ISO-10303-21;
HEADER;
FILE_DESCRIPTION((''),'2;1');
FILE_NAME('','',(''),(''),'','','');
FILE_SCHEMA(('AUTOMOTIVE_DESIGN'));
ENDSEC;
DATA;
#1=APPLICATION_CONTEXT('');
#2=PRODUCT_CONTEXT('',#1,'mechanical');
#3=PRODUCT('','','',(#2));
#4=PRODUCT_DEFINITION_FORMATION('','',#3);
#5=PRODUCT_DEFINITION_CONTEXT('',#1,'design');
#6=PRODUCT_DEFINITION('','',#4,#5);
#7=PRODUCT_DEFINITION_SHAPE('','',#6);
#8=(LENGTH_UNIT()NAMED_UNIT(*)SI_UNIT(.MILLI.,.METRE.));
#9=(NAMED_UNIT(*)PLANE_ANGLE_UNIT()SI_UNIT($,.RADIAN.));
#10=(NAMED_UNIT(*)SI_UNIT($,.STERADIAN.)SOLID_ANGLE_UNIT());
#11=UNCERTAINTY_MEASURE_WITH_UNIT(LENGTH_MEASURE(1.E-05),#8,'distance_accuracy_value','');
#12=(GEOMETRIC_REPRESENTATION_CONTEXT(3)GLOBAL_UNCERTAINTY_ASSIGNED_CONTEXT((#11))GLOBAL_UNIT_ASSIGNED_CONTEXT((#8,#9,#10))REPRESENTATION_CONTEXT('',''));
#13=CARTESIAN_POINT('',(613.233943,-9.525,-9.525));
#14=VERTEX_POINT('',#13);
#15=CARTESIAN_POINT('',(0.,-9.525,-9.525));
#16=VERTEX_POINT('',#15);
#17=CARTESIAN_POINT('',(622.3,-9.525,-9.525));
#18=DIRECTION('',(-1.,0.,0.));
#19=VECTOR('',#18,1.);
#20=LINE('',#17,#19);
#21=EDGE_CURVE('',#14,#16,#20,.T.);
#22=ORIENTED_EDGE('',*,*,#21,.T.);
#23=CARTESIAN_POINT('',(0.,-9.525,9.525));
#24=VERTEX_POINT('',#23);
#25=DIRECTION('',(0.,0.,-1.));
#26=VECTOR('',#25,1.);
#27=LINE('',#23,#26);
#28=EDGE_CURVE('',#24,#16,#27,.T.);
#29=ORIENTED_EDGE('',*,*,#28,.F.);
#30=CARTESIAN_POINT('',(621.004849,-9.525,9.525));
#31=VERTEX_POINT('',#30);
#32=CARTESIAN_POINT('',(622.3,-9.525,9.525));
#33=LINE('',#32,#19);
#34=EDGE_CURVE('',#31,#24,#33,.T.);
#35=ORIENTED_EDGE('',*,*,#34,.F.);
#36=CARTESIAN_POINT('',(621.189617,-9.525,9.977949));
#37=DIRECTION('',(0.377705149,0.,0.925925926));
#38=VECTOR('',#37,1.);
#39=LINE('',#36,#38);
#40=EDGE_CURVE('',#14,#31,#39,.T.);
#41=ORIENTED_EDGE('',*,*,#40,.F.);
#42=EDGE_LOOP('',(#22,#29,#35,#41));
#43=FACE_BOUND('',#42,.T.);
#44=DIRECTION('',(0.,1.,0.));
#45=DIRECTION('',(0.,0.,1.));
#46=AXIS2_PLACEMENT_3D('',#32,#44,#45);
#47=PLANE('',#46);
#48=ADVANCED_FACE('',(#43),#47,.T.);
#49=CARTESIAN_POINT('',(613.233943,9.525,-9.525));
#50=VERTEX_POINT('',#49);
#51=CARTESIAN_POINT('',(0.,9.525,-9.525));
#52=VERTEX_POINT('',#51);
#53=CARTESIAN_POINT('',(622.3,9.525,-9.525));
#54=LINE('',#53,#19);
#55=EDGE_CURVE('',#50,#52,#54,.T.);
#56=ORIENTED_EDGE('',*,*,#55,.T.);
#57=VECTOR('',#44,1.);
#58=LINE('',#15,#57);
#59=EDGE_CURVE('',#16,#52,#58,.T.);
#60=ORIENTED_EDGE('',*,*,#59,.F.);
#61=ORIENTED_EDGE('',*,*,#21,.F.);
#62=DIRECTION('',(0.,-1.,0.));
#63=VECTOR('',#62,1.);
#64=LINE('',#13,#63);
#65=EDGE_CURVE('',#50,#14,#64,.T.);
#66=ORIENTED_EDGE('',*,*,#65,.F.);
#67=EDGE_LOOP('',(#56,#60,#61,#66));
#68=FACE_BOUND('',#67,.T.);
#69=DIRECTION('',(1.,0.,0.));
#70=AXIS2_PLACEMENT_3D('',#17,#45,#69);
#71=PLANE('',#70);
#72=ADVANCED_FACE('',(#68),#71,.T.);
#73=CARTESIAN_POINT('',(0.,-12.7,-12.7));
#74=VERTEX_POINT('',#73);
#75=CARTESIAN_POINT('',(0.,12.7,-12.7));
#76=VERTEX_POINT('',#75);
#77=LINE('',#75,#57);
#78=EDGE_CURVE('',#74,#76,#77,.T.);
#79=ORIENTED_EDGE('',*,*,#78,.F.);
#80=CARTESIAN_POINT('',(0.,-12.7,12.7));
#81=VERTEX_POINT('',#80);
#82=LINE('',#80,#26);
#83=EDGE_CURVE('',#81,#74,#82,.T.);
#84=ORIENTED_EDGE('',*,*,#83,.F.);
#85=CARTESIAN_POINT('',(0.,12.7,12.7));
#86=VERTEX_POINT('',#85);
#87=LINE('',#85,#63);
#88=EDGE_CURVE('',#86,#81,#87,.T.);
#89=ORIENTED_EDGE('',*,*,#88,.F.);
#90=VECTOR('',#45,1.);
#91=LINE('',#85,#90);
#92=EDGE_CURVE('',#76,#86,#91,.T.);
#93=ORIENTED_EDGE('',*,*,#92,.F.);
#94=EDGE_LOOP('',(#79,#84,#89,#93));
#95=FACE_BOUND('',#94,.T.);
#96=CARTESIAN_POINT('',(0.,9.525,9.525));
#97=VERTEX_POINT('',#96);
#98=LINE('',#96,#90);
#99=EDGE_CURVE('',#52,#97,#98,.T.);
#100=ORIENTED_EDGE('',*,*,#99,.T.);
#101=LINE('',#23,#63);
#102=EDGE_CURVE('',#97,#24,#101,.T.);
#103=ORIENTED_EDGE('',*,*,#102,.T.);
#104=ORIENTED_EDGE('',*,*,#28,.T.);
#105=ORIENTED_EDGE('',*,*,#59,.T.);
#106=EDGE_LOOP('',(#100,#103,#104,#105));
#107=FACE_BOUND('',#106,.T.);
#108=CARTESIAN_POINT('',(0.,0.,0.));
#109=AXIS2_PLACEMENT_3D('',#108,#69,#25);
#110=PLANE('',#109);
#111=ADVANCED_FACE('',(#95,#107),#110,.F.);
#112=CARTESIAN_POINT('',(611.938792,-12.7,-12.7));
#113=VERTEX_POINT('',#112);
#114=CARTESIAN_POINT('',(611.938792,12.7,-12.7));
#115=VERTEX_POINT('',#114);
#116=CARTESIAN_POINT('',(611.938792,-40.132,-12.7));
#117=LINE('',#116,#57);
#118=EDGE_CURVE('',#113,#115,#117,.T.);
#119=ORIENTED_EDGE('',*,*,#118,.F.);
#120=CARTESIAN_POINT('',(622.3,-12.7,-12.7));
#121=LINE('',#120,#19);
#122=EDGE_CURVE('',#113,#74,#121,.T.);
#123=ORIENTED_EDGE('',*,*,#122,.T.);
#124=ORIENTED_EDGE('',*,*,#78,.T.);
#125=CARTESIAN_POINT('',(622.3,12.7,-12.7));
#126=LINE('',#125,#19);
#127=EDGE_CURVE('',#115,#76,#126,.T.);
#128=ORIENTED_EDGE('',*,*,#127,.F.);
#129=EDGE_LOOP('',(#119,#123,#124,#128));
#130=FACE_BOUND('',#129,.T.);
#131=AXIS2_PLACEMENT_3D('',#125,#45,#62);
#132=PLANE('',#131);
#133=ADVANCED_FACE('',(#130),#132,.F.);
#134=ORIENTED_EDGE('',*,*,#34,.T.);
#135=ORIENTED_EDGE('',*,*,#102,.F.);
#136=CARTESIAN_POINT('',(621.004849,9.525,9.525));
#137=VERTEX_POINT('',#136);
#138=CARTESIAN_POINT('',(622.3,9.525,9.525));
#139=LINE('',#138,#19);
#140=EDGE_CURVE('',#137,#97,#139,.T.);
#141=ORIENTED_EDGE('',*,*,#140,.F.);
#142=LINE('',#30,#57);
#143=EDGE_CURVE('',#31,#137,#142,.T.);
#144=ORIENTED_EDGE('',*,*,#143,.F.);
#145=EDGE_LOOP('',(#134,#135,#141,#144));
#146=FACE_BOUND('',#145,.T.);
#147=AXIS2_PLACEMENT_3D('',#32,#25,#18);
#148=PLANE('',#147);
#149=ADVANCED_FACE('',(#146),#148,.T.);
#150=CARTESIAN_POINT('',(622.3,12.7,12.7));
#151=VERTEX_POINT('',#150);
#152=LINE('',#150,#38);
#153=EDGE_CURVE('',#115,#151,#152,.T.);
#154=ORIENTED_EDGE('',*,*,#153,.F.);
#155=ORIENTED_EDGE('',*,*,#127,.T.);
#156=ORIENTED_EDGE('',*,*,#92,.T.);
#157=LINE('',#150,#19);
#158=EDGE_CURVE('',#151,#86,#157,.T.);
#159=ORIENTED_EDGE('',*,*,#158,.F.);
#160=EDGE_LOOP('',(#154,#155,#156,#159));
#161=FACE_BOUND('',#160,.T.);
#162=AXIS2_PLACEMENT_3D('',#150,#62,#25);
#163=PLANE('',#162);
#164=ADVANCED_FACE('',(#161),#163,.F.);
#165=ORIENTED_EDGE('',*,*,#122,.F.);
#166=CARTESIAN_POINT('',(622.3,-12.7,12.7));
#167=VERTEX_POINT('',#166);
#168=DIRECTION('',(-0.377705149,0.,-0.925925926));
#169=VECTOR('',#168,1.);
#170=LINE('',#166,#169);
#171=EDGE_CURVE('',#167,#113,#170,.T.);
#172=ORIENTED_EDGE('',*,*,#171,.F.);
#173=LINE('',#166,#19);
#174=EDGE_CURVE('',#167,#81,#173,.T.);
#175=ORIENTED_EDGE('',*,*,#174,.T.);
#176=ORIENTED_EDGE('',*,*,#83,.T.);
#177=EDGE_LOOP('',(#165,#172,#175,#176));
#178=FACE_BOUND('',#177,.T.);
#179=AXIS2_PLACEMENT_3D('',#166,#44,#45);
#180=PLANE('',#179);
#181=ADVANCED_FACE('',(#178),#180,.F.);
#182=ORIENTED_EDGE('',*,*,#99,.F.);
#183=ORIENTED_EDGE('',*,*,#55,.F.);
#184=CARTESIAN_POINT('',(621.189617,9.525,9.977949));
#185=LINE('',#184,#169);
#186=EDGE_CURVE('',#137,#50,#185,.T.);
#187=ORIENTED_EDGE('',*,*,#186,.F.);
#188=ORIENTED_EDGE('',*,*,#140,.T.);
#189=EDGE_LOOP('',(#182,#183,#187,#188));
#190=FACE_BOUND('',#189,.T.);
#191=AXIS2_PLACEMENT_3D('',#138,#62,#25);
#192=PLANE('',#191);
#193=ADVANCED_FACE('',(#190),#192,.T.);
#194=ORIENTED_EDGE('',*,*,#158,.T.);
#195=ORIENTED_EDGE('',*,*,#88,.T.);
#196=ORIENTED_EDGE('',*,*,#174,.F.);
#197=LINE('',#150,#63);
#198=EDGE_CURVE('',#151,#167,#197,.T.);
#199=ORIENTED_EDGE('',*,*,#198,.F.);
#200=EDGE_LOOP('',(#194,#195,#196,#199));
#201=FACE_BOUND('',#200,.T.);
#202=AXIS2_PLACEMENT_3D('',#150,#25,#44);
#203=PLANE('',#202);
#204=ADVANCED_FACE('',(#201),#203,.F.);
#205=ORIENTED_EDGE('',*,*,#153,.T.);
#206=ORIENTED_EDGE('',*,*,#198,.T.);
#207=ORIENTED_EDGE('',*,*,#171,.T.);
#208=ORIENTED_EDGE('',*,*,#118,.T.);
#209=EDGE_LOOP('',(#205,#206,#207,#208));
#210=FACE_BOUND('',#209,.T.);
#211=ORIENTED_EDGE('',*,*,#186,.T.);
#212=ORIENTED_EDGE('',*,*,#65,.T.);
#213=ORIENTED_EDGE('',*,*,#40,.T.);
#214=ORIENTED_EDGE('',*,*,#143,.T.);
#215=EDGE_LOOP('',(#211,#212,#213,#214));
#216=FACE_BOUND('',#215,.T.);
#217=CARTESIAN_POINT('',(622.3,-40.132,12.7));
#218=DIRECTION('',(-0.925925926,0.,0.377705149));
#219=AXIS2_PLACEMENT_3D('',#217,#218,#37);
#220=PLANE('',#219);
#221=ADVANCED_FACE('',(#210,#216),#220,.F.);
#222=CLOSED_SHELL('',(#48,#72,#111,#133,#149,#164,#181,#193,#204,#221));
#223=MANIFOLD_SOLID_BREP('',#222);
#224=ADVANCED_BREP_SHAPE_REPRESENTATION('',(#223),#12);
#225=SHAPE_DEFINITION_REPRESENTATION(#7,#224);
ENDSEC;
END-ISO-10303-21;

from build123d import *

# Parameters (mm, degrees)
SKETCH2_W           = 25.4
SKETCH2_H           = 25.4
SKETCH2_W_2         = 19.05
SKETCH2_H_2         = 19.05
BOSS_EXTRUDE1_DEPTH = 622.3
CUT_EXTRUDE1_REACH  = 624.948


with BuildPart() as part:
    # Sketch2 → Boss-Extrude1 (new body)
    with BuildSketch(Plane(origin=(0, 0, 0), x_dir=(0, 0, -1), z_dir=(1, 0, 0))):
        Rectangle(SKETCH2_W, SKETCH2_H)
        Rectangle(SKETCH2_W_2, SKETCH2_H_2, mode=Mode.SUBTRACT)
    extrude(amount=BOSS_EXTRUDE1_DEPTH)

    # Cut-Extrude1: up to this face of the body (flat: up to its plane)
    cut_extrude1_end = Plane(part.part.faces().sort_by_distance((311.15, -12.7, 0))[0])
    # Sketch3 → Cut-Extrude1 (cut, up to the picked face)
    with BuildSketch(Plane(origin=(0, 12.7, 0), x_dir=(1, 0, 0), z_dir=(0, 1, 0)), mode=Mode.PRIVATE) as cut_extrude1_sk1:
        Polygon((622.3, -12.7), (611.938792348, 12.7), (622.3, 12.7), align=None)
    cut_extrude1_tool1 = split(extrude(cut_extrude1_sk1.sketch, amount=-CUT_EXTRUDE1_REACH, mode=Mode.PRIVATE), bisect_by=cut_extrude1_end, keep=Keep.BOTH, mode=Mode.PRIVATE)
    add(cut_extrude1_tool1.solids().sort_by(Axis((618.846264, 12.7, -4.233333), (0, -1, 0)))[0], mode=Mode.SUBTRACT)


solid = part.part
